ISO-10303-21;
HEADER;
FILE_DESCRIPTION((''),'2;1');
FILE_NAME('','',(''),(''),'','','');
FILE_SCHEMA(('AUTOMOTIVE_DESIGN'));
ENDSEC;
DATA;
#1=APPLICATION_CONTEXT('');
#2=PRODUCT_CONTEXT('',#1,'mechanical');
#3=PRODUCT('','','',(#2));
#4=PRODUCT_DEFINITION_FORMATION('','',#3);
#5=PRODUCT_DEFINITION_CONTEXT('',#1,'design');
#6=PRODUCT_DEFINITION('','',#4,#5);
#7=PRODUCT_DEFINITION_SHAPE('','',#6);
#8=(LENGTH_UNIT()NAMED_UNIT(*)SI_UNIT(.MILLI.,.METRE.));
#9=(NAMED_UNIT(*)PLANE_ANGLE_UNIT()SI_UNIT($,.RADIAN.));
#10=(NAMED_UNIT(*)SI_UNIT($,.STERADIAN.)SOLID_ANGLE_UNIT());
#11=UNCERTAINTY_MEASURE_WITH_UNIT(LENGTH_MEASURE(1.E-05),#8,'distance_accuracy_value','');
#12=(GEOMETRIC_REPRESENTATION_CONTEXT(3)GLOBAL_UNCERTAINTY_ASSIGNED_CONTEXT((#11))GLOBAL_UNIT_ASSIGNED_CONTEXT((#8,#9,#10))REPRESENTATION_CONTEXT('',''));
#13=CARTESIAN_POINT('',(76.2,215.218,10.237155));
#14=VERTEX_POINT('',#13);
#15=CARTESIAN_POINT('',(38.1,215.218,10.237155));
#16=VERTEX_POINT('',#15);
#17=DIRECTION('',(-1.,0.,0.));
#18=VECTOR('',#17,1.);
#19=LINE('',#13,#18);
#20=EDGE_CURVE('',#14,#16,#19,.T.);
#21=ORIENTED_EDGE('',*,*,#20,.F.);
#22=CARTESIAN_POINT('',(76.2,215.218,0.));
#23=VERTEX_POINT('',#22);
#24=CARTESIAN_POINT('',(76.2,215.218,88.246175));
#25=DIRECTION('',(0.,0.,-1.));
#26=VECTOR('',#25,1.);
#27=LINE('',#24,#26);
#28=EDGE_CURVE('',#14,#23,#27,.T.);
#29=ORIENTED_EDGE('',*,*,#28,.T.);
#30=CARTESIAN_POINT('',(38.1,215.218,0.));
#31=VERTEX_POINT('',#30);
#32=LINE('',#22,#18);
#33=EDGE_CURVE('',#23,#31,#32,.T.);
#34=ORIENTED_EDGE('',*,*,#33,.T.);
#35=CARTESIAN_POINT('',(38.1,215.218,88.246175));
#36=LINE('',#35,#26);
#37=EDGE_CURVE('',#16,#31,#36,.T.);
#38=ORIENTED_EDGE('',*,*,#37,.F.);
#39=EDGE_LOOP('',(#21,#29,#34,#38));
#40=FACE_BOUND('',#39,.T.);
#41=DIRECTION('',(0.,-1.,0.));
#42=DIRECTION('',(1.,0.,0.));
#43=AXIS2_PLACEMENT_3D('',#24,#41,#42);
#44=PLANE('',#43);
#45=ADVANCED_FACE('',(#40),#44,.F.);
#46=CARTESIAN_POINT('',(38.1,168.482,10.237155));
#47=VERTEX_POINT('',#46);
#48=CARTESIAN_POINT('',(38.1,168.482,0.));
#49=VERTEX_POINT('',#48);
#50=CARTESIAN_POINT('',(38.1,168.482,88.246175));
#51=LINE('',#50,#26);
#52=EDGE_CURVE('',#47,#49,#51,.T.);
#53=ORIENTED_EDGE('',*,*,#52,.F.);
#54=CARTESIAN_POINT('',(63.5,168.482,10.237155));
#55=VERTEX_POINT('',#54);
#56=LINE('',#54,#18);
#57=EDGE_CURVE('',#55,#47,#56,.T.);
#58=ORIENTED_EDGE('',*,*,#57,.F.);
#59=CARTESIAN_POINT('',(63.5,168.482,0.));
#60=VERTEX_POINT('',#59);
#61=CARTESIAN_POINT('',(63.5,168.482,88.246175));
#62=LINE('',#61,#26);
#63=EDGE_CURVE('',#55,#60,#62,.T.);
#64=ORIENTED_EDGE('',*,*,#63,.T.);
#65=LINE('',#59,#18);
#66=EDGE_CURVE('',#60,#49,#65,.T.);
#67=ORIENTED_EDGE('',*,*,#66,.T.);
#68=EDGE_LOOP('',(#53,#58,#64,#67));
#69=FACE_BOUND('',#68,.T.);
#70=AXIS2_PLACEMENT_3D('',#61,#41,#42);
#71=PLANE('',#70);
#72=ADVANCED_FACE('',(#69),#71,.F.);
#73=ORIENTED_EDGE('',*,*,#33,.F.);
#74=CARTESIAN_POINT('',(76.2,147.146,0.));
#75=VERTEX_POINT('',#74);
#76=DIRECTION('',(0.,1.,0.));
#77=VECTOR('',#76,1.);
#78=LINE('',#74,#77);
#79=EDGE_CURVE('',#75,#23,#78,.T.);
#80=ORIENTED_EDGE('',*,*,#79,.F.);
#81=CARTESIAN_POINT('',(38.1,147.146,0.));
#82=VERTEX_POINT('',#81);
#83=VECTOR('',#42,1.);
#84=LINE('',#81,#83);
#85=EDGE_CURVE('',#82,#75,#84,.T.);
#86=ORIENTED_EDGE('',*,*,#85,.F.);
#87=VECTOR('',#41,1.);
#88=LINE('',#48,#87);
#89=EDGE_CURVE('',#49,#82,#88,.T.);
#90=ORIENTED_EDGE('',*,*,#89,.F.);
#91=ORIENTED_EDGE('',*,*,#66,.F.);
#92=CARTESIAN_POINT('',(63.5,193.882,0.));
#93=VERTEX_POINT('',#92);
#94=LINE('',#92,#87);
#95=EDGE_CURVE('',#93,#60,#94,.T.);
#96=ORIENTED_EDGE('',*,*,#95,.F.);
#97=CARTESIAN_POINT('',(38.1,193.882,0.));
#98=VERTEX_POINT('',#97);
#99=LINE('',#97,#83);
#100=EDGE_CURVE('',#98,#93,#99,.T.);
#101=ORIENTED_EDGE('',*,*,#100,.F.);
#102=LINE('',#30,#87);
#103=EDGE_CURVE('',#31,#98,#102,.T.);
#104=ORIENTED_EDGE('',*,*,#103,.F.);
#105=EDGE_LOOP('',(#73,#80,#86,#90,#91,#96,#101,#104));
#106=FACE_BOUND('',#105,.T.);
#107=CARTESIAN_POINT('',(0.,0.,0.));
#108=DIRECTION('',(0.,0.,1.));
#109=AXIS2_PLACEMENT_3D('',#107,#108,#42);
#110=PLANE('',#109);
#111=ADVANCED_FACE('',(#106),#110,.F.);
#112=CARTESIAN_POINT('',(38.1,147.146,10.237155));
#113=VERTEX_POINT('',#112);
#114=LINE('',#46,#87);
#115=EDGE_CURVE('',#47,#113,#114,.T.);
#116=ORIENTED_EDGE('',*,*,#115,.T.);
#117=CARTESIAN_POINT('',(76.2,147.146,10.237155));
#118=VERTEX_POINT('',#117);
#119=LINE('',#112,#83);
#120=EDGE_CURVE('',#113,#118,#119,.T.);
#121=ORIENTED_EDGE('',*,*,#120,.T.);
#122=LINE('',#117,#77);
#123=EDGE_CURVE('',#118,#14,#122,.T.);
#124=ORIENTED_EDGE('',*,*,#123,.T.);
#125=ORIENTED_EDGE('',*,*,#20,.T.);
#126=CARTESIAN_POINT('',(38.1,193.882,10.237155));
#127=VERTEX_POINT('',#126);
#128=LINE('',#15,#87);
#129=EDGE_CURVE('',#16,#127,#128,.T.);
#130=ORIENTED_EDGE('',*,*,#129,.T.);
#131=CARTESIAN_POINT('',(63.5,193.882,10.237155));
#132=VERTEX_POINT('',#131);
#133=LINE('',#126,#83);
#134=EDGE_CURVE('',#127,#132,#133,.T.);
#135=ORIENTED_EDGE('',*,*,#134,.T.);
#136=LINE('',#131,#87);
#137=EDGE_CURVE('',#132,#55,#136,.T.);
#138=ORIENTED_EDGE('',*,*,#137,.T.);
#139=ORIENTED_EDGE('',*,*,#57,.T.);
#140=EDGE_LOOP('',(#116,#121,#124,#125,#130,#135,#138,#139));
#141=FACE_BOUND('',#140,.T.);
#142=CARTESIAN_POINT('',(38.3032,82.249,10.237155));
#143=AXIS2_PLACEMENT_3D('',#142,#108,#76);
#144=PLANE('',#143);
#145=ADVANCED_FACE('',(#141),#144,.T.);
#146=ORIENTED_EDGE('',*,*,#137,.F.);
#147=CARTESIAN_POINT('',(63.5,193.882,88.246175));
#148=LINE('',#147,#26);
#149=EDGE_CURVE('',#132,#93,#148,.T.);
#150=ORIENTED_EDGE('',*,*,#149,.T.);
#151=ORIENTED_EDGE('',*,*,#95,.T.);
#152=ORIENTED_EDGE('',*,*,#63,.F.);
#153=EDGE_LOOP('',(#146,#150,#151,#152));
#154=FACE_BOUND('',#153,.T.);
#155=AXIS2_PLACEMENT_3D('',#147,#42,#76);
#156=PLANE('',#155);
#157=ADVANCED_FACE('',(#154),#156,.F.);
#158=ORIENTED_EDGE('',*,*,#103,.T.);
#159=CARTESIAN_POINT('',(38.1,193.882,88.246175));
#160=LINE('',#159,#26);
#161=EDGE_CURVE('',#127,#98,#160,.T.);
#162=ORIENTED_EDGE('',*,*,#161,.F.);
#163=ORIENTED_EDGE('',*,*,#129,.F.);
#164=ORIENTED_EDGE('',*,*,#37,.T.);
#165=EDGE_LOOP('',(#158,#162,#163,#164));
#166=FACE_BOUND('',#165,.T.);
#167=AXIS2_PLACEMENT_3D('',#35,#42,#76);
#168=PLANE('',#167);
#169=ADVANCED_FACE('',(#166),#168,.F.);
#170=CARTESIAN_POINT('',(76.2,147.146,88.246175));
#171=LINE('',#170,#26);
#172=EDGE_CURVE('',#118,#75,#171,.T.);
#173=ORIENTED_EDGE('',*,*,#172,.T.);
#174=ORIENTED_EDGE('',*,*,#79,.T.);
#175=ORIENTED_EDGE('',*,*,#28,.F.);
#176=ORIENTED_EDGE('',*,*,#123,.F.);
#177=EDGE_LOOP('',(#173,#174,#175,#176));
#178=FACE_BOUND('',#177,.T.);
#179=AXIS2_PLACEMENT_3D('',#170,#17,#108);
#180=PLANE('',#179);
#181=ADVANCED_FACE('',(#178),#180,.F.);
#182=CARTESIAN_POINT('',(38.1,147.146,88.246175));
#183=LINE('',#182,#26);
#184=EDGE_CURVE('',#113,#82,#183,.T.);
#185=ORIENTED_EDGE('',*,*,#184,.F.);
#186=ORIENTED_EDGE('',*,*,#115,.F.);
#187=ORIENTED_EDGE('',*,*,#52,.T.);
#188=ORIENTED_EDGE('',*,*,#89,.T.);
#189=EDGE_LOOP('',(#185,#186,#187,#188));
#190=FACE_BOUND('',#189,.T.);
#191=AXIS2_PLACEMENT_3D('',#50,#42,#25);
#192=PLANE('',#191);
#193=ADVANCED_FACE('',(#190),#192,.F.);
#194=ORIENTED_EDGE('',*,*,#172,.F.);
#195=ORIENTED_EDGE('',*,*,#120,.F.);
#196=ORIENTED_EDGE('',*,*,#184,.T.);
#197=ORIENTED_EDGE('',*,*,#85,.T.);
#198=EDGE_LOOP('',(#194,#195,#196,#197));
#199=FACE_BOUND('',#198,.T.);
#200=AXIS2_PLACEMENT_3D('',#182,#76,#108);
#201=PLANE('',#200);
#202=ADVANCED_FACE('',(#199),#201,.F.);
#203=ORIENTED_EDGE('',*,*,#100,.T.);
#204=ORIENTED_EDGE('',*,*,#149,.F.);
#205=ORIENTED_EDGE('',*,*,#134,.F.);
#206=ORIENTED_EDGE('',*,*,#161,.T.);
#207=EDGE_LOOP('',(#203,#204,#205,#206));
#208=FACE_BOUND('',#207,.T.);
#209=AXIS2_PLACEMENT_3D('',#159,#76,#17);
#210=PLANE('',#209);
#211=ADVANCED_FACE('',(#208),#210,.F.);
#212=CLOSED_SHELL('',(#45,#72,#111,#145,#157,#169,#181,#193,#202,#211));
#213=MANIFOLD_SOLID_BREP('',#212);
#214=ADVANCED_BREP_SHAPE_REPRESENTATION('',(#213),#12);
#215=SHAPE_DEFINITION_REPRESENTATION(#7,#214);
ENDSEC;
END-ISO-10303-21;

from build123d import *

# Parameters (mm, degrees)
BOSS_EXTRUDE2_DEPTH = 10.237155


with BuildPart() as part:
    # Sketch1 → Boss-Extrude2 (new body)
    with BuildSketch(Plane.XY):
        Polygon((38.1, 215.218), (38.1, 193.882), (63.5, 193.882), (63.5, 168.482), (38.1, 168.482), (38.1, 147.146), (76.2, 147.146), (76.2, 215.218), align=None)
    extrude(amount=BOSS_EXTRUDE2_DEPTH)


solid = part.part
